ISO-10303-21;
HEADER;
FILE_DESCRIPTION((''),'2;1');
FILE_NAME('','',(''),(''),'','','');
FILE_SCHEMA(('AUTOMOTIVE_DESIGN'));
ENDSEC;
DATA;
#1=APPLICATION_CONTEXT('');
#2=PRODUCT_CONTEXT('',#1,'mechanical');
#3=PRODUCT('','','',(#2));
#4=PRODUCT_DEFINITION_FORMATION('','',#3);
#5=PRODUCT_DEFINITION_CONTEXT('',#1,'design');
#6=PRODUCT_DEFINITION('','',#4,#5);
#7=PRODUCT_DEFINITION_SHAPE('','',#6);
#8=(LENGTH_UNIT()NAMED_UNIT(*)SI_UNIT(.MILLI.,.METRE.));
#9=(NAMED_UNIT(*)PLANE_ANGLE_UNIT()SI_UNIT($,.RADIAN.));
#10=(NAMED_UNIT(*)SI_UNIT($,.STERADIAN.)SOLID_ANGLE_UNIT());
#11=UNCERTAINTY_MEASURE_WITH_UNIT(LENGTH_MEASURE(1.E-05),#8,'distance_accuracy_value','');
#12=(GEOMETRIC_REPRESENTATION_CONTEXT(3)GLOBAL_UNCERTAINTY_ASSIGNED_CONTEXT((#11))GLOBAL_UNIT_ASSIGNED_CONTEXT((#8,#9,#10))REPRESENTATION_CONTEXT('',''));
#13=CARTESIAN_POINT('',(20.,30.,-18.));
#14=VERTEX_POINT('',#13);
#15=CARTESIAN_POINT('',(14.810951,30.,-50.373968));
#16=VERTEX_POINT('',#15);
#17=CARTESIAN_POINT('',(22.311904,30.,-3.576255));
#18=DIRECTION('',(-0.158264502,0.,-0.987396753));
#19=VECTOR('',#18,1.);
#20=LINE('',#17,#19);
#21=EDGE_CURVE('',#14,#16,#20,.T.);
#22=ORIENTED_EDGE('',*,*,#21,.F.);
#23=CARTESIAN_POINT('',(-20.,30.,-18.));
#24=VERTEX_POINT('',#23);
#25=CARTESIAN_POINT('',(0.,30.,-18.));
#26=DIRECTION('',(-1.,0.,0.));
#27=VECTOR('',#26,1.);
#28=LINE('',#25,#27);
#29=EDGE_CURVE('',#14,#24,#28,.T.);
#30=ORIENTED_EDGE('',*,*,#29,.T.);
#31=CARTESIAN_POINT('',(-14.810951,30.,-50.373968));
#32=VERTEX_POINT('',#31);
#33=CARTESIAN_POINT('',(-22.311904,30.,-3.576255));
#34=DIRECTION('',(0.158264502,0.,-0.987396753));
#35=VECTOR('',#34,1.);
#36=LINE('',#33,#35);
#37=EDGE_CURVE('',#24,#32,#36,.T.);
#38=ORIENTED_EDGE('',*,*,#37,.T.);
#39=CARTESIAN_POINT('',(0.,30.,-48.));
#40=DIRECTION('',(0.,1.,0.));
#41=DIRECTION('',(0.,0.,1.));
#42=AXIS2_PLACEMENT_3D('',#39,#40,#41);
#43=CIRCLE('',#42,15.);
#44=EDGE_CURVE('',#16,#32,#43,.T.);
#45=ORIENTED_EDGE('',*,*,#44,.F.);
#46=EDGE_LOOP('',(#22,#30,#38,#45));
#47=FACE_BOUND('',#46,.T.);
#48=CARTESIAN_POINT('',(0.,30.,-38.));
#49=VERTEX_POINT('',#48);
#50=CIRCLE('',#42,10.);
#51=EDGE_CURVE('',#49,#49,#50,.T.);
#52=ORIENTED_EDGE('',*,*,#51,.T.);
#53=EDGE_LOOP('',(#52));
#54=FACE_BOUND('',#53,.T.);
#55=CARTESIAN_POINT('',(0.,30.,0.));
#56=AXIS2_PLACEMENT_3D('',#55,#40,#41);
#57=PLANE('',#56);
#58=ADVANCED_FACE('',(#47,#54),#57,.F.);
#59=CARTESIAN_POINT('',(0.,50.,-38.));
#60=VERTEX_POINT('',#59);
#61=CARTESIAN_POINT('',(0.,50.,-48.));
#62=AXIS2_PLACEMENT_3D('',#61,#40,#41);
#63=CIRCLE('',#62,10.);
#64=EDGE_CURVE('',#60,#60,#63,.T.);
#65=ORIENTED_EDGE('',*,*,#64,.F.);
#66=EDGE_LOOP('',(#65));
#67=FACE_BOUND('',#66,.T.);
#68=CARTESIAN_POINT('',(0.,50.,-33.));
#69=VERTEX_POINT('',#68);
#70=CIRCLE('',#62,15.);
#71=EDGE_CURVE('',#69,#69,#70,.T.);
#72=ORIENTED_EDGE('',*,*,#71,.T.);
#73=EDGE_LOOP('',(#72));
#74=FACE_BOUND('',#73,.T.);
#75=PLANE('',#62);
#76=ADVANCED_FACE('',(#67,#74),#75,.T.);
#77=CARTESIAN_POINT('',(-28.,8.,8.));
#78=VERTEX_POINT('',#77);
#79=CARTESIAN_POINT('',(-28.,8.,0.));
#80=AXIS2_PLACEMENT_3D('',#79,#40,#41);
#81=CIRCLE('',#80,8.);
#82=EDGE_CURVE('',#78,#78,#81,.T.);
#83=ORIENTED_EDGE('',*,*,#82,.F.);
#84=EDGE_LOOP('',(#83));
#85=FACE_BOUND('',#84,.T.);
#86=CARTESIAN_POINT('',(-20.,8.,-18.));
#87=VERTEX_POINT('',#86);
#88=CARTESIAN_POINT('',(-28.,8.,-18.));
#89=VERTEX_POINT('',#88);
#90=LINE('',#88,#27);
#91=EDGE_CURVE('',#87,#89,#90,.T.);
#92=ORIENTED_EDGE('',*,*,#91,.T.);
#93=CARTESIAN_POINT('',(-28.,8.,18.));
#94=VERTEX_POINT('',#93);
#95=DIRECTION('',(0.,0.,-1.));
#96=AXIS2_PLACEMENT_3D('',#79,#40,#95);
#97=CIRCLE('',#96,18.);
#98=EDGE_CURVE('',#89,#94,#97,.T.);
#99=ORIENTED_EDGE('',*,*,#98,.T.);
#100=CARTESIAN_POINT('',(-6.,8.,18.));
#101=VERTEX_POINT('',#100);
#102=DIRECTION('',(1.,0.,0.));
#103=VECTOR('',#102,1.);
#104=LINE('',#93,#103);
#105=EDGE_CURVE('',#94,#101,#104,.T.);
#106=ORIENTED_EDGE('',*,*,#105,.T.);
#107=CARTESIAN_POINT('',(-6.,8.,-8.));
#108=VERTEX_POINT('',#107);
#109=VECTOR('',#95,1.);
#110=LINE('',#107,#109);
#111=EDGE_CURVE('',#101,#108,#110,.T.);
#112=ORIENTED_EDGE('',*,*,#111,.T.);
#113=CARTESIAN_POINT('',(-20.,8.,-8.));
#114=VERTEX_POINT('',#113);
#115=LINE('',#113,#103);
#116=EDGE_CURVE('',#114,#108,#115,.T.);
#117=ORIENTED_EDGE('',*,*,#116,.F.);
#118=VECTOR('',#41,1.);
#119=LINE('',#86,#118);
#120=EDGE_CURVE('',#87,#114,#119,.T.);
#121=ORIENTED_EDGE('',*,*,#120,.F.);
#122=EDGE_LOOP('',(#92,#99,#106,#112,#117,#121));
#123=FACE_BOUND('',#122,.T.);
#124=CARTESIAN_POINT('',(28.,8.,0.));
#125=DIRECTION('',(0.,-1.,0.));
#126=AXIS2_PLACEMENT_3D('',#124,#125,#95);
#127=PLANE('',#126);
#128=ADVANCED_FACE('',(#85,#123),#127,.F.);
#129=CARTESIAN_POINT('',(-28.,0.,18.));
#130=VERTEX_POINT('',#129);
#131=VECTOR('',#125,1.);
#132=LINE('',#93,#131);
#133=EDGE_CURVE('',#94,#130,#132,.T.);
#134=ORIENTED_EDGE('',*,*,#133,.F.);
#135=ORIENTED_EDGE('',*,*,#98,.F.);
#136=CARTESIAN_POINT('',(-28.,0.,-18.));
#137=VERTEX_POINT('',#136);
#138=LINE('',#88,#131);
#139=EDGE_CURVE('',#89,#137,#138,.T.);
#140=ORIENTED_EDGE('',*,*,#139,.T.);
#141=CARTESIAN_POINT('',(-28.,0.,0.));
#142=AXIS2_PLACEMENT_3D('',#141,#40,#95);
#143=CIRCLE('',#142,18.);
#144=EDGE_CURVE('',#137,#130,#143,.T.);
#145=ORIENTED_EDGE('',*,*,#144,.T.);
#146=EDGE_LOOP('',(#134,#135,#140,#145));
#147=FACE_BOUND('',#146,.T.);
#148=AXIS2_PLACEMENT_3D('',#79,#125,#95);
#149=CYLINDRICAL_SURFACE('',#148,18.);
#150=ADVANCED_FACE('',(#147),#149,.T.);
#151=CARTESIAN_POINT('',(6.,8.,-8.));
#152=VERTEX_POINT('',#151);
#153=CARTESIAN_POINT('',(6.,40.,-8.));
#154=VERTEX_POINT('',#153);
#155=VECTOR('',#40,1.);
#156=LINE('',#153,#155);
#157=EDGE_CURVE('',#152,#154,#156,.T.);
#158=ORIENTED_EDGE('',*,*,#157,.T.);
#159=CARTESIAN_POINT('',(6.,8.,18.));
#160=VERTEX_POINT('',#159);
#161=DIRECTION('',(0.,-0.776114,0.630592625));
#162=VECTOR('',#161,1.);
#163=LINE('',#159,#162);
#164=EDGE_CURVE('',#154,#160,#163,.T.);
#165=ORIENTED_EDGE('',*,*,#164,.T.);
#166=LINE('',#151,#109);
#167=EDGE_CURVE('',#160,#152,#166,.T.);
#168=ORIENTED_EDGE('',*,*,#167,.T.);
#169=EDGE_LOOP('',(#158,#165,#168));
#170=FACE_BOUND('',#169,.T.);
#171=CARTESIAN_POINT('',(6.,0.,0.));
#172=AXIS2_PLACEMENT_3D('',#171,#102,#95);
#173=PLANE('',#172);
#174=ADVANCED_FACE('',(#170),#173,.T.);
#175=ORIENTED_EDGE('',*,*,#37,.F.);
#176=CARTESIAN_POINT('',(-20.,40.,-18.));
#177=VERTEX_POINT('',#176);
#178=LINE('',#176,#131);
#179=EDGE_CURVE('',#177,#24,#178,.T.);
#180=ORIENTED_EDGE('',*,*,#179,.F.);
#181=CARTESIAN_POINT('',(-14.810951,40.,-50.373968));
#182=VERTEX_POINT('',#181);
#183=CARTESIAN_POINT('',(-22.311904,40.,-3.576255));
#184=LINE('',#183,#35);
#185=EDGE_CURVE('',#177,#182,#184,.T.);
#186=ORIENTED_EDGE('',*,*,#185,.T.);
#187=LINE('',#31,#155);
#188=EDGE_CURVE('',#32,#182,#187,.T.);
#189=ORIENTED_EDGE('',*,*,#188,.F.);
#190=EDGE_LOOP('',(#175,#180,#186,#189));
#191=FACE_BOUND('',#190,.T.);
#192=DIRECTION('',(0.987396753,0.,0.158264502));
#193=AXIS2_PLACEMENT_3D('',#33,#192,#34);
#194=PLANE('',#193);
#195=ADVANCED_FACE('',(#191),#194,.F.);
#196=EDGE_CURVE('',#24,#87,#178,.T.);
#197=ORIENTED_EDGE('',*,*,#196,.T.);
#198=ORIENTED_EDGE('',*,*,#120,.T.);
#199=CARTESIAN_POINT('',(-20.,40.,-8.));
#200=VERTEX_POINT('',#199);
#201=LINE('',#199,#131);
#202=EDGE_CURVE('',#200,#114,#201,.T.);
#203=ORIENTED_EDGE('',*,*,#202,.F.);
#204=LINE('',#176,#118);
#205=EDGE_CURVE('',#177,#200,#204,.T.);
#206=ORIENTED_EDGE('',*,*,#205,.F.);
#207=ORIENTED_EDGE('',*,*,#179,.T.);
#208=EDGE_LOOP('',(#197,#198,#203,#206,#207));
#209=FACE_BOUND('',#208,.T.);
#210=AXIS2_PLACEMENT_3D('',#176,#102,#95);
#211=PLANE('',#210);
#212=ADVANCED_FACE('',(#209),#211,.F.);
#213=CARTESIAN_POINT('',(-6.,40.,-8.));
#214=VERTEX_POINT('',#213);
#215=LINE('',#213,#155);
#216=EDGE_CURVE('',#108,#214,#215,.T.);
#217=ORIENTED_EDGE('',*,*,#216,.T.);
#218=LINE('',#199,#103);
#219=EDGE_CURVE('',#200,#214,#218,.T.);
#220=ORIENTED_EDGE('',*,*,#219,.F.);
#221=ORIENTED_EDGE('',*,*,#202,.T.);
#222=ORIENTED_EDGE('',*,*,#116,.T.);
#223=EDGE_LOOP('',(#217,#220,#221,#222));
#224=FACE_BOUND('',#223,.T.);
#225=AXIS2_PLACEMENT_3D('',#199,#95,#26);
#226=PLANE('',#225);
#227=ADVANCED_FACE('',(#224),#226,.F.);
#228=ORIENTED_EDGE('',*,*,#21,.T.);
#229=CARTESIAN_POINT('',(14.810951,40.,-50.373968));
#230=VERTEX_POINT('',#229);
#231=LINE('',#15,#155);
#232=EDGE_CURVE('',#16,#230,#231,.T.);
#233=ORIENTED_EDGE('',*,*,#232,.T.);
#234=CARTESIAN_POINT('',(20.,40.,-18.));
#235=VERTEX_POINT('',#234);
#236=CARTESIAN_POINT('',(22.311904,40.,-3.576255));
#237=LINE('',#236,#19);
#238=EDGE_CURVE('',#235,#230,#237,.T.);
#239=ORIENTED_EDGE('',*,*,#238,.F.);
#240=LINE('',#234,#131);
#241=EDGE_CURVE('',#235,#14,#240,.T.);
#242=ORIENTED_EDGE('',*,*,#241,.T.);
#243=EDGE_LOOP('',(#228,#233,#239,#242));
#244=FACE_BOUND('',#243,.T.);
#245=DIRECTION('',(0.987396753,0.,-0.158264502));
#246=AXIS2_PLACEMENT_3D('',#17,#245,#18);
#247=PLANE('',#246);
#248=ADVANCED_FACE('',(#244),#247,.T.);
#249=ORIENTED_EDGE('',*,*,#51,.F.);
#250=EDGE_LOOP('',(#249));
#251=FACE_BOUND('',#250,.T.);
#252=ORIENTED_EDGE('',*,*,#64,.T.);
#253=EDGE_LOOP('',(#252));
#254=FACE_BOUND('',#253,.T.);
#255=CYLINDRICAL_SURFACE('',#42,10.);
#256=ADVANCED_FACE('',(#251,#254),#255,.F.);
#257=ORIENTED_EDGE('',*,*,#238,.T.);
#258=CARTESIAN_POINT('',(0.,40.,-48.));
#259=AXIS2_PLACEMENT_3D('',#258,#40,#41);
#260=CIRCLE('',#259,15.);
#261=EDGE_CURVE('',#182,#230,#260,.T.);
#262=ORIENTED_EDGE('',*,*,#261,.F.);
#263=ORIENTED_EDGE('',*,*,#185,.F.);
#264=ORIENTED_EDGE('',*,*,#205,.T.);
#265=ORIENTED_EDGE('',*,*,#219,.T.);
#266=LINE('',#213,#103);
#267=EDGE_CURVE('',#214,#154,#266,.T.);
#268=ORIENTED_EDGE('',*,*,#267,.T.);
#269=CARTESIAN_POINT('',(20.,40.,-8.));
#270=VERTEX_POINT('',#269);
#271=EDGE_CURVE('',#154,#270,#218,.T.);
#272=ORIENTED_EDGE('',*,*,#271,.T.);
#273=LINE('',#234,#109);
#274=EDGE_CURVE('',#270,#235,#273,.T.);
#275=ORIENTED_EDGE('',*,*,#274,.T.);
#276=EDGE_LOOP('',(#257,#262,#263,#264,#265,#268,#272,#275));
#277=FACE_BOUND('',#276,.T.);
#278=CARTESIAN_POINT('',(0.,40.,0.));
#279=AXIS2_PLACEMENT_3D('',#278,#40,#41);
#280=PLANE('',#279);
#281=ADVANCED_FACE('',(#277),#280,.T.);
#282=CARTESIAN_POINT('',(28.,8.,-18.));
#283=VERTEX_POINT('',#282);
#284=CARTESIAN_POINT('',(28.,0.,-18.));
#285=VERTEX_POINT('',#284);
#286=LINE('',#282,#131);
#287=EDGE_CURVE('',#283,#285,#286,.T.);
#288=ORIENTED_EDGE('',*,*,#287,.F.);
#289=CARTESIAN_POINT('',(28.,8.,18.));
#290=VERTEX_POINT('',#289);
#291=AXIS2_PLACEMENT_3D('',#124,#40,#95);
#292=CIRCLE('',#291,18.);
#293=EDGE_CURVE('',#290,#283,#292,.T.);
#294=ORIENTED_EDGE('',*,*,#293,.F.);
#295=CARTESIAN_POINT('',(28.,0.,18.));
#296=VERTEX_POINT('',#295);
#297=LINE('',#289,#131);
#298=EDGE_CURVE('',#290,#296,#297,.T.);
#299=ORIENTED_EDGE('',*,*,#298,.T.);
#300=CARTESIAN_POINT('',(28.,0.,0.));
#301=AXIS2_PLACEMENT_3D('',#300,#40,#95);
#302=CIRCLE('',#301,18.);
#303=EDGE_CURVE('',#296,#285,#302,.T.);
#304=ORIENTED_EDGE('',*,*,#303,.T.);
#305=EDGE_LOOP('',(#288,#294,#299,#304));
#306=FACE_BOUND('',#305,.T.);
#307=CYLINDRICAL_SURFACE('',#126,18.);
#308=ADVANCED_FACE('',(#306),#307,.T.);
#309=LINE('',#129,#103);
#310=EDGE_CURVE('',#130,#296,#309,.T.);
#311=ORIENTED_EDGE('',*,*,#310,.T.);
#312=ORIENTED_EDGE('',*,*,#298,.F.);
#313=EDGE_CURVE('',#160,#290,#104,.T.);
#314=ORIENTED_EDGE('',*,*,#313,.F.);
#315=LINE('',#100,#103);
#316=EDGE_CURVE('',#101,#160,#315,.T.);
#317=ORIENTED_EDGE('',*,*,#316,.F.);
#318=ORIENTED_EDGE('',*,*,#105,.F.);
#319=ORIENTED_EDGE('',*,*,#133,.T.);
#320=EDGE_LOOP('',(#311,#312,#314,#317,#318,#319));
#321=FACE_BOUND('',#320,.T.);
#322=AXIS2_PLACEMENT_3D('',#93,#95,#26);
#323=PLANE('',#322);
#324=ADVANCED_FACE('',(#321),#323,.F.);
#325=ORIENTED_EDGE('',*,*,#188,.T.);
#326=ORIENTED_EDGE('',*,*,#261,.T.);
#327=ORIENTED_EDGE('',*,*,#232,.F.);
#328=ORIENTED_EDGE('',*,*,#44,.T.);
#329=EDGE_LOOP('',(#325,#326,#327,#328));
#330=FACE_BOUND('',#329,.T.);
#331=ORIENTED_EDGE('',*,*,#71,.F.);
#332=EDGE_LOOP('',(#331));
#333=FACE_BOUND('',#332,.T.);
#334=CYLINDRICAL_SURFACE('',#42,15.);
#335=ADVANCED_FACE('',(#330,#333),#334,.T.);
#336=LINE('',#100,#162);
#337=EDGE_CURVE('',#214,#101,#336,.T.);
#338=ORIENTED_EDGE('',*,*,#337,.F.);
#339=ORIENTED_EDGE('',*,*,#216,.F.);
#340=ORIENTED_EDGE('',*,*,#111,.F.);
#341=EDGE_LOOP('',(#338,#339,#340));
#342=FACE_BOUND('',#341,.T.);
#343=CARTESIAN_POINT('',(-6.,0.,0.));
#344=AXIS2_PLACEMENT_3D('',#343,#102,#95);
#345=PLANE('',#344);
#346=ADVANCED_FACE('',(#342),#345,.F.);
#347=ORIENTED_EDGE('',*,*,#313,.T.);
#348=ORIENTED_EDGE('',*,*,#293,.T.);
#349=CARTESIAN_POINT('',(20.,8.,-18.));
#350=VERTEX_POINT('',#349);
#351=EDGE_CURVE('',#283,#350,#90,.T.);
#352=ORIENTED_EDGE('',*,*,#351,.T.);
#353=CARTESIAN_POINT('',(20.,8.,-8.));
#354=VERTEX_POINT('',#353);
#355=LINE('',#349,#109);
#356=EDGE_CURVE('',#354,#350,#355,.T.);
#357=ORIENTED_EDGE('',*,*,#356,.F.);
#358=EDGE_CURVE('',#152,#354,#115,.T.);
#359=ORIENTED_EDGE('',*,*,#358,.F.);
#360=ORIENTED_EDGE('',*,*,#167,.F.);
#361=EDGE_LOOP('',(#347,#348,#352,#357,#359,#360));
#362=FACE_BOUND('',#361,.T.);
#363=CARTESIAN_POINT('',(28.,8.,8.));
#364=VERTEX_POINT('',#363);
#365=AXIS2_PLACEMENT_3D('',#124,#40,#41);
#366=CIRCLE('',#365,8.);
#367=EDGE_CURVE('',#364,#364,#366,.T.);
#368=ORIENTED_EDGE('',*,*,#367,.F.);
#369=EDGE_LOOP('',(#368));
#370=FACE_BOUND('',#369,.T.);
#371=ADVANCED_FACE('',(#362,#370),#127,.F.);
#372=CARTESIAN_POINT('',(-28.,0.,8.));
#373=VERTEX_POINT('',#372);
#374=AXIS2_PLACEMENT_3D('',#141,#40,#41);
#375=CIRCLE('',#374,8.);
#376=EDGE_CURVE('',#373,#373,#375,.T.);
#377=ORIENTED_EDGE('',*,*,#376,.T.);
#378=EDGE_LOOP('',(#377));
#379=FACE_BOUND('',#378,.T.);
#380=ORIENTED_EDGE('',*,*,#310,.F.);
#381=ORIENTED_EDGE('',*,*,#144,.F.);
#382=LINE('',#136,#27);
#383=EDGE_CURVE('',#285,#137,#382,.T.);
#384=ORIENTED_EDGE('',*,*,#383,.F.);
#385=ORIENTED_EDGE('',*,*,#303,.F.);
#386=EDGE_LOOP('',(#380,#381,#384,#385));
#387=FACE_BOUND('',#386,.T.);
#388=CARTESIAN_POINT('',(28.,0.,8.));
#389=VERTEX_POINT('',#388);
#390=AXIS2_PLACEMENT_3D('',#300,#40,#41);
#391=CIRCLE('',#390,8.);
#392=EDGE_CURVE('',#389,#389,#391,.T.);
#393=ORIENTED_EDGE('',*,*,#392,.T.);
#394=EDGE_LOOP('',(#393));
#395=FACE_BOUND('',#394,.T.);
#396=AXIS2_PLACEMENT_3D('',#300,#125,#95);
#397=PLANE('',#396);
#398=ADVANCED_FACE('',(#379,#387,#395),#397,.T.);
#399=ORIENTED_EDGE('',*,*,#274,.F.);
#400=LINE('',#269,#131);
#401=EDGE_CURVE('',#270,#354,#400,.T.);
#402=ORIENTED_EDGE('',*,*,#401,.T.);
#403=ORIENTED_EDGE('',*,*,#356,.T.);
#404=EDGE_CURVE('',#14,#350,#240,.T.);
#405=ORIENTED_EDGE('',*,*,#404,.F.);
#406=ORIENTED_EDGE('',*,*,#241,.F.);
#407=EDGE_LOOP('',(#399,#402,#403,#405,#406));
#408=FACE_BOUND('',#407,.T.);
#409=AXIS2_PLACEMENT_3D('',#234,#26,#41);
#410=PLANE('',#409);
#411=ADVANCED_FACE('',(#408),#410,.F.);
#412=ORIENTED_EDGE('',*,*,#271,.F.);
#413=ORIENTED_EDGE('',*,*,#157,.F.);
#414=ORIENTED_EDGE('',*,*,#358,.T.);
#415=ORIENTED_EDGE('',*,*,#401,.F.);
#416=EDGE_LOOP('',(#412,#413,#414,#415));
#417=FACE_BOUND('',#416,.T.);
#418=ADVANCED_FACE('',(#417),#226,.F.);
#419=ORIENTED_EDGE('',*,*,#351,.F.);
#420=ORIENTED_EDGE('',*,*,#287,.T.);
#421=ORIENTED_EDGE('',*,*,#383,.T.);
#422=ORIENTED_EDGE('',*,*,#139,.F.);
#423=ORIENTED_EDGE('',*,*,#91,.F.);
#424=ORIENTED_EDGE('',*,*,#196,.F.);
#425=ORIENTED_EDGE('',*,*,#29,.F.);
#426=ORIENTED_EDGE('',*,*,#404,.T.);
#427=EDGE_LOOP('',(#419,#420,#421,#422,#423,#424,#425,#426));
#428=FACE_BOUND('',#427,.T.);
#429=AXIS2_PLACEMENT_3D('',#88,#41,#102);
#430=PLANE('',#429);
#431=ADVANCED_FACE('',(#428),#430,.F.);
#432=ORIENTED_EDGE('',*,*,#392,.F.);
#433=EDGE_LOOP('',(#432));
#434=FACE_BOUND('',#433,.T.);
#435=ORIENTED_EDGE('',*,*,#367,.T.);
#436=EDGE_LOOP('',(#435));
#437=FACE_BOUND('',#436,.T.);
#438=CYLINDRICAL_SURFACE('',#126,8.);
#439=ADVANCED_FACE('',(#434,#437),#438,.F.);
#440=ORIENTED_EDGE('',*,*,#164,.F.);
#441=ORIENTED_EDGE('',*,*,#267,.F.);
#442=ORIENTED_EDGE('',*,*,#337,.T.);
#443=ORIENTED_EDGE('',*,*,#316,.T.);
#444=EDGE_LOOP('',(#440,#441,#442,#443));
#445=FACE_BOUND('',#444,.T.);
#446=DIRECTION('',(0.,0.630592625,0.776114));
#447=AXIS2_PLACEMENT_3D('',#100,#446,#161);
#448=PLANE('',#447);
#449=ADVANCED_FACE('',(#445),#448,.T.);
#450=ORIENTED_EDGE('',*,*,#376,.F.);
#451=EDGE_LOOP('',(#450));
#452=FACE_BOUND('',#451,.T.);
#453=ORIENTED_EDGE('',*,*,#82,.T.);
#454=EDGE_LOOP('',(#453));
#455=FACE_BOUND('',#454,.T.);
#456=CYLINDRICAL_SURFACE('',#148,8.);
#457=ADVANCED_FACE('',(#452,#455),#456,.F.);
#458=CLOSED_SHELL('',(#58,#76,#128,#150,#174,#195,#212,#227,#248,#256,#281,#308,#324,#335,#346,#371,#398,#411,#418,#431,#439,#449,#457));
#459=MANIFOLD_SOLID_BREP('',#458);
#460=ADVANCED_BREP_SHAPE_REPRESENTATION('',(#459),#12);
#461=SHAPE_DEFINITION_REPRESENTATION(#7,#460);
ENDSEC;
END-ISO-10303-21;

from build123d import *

# Parameters (mm, degrees)
SKETCH2_R                = 8
BOSS_EXTRUDE1_DEPTH      = 8
SKETCH4_W                = 40
SKETCH4_H                = 10
BOSS_EXTRUDE2_DEPTH      = 32
BOSS_EXTRUDE3_DEPTH      = 6
BOSS_EXTRUDE3_DEPTH_BACK = 6
SKETCH7_R                = 10
BOSS_EXTRUDE4_DEPTH      = 10
BOSS_EXTRUDE5_START      = 10
SKETCH8_R                = 15
SKETCH8_R_2              = 10
BOSS_EXTRUDE5_DEPTH      = 10


with BuildPart() as part:
    # Sketch2 → Boss-Extrude1 (new body)
    with BuildSketch(Plane(origin=(0, 0, 0), x_dir=(1, 0, 0), z_dir=(0, 1, 0))):
        with BuildLine():
            Line((-28, 18), (28, 18))
            ThreePointArc((28, 18), (46, 0), (28, -18))
            Line((28, -18), (-28, -18))
            ThreePointArc((-28, -18), (-46, 0), (-28, 18))
        make_face()
        with Locations(Location((-28, 0, 0), (0, 0, 270))):
            Circle(SKETCH2_R, mode=Mode.SUBTRACT)
        with Locations(Location((28, 0, 0), (0, 0, 270))):
            Circle(SKETCH2_R, mode=Mode.SUBTRACT)
    extrude(amount=BOSS_EXTRUDE1_DEPTH)

    # Sketch4 → Boss-Extrude2 (add)
    with BuildSketch(Plane(origin=(0, 8, 0), x_dir=(1, 0, 0), z_dir=(0, 1, 0))):
        with Locations((0, 13)):
            Rectangle(SKETCH4_W, SKETCH4_H)
    extrude(amount=BOSS_EXTRUDE2_DEPTH)

    # Sketch5 → Boss-Extrude3 (add, two sides: drawn at the far end of the back side and taken through both)
    with BuildSketch(Plane(origin=(0, 0, 0), x_dir=(0, 0, -1), z_dir=(1, 0, 0)).offset(-BOSS_EXTRUDE3_DEPTH_BACK)):
        Polygon((8, 40), (8, 8), (-18, 8), align=None)
    extrude(amount=BOSS_EXTRUDE3_DEPTH + BOSS_EXTRUDE3_DEPTH_BACK)

    # Sketch7 → Boss-Extrude4 (add)
    with BuildSketch(Plane(origin=(0, 40, 0), x_dir=(1, 0, 0), z_dir=(0, 1, 0))):
        with BuildLine():
            Line((20, 18), (14.810951292, 50.373967528))
            ThreePointArc((14.810951292, 50.373967528), (0, 63), (-14.810951292, 50.373967528))
            Line((-14.810951292, 50.373967528), (-20, 18))
            Line((-20, 18), (20, 18))
        make_face()
        with Locations(Location((0, 48, 0), (0, 0, 270))):
            Circle(SKETCH7_R, mode=Mode.SUBTRACT)
    extrude(amount=-BOSS_EXTRUDE4_DEPTH)

    # Sketch8 → Boss-Extrude5 (add)
    with BuildSketch(Plane(origin=(0, 40, 0), x_dir=(1, 0, 0), z_dir=(0, 1, 0)).offset(BOSS_EXTRUDE5_START)):
        with Locations(Location((0, 48, 0), (0, 0, 270))):
            Circle(SKETCH8_R)
        with Locations(Location((0, 48, 0), (0, 0, 270))):
            Circle(SKETCH8_R_2, mode=Mode.SUBTRACT)
    extrude(amount=-BOSS_EXTRUDE5_DEPTH)


solid = part.part
